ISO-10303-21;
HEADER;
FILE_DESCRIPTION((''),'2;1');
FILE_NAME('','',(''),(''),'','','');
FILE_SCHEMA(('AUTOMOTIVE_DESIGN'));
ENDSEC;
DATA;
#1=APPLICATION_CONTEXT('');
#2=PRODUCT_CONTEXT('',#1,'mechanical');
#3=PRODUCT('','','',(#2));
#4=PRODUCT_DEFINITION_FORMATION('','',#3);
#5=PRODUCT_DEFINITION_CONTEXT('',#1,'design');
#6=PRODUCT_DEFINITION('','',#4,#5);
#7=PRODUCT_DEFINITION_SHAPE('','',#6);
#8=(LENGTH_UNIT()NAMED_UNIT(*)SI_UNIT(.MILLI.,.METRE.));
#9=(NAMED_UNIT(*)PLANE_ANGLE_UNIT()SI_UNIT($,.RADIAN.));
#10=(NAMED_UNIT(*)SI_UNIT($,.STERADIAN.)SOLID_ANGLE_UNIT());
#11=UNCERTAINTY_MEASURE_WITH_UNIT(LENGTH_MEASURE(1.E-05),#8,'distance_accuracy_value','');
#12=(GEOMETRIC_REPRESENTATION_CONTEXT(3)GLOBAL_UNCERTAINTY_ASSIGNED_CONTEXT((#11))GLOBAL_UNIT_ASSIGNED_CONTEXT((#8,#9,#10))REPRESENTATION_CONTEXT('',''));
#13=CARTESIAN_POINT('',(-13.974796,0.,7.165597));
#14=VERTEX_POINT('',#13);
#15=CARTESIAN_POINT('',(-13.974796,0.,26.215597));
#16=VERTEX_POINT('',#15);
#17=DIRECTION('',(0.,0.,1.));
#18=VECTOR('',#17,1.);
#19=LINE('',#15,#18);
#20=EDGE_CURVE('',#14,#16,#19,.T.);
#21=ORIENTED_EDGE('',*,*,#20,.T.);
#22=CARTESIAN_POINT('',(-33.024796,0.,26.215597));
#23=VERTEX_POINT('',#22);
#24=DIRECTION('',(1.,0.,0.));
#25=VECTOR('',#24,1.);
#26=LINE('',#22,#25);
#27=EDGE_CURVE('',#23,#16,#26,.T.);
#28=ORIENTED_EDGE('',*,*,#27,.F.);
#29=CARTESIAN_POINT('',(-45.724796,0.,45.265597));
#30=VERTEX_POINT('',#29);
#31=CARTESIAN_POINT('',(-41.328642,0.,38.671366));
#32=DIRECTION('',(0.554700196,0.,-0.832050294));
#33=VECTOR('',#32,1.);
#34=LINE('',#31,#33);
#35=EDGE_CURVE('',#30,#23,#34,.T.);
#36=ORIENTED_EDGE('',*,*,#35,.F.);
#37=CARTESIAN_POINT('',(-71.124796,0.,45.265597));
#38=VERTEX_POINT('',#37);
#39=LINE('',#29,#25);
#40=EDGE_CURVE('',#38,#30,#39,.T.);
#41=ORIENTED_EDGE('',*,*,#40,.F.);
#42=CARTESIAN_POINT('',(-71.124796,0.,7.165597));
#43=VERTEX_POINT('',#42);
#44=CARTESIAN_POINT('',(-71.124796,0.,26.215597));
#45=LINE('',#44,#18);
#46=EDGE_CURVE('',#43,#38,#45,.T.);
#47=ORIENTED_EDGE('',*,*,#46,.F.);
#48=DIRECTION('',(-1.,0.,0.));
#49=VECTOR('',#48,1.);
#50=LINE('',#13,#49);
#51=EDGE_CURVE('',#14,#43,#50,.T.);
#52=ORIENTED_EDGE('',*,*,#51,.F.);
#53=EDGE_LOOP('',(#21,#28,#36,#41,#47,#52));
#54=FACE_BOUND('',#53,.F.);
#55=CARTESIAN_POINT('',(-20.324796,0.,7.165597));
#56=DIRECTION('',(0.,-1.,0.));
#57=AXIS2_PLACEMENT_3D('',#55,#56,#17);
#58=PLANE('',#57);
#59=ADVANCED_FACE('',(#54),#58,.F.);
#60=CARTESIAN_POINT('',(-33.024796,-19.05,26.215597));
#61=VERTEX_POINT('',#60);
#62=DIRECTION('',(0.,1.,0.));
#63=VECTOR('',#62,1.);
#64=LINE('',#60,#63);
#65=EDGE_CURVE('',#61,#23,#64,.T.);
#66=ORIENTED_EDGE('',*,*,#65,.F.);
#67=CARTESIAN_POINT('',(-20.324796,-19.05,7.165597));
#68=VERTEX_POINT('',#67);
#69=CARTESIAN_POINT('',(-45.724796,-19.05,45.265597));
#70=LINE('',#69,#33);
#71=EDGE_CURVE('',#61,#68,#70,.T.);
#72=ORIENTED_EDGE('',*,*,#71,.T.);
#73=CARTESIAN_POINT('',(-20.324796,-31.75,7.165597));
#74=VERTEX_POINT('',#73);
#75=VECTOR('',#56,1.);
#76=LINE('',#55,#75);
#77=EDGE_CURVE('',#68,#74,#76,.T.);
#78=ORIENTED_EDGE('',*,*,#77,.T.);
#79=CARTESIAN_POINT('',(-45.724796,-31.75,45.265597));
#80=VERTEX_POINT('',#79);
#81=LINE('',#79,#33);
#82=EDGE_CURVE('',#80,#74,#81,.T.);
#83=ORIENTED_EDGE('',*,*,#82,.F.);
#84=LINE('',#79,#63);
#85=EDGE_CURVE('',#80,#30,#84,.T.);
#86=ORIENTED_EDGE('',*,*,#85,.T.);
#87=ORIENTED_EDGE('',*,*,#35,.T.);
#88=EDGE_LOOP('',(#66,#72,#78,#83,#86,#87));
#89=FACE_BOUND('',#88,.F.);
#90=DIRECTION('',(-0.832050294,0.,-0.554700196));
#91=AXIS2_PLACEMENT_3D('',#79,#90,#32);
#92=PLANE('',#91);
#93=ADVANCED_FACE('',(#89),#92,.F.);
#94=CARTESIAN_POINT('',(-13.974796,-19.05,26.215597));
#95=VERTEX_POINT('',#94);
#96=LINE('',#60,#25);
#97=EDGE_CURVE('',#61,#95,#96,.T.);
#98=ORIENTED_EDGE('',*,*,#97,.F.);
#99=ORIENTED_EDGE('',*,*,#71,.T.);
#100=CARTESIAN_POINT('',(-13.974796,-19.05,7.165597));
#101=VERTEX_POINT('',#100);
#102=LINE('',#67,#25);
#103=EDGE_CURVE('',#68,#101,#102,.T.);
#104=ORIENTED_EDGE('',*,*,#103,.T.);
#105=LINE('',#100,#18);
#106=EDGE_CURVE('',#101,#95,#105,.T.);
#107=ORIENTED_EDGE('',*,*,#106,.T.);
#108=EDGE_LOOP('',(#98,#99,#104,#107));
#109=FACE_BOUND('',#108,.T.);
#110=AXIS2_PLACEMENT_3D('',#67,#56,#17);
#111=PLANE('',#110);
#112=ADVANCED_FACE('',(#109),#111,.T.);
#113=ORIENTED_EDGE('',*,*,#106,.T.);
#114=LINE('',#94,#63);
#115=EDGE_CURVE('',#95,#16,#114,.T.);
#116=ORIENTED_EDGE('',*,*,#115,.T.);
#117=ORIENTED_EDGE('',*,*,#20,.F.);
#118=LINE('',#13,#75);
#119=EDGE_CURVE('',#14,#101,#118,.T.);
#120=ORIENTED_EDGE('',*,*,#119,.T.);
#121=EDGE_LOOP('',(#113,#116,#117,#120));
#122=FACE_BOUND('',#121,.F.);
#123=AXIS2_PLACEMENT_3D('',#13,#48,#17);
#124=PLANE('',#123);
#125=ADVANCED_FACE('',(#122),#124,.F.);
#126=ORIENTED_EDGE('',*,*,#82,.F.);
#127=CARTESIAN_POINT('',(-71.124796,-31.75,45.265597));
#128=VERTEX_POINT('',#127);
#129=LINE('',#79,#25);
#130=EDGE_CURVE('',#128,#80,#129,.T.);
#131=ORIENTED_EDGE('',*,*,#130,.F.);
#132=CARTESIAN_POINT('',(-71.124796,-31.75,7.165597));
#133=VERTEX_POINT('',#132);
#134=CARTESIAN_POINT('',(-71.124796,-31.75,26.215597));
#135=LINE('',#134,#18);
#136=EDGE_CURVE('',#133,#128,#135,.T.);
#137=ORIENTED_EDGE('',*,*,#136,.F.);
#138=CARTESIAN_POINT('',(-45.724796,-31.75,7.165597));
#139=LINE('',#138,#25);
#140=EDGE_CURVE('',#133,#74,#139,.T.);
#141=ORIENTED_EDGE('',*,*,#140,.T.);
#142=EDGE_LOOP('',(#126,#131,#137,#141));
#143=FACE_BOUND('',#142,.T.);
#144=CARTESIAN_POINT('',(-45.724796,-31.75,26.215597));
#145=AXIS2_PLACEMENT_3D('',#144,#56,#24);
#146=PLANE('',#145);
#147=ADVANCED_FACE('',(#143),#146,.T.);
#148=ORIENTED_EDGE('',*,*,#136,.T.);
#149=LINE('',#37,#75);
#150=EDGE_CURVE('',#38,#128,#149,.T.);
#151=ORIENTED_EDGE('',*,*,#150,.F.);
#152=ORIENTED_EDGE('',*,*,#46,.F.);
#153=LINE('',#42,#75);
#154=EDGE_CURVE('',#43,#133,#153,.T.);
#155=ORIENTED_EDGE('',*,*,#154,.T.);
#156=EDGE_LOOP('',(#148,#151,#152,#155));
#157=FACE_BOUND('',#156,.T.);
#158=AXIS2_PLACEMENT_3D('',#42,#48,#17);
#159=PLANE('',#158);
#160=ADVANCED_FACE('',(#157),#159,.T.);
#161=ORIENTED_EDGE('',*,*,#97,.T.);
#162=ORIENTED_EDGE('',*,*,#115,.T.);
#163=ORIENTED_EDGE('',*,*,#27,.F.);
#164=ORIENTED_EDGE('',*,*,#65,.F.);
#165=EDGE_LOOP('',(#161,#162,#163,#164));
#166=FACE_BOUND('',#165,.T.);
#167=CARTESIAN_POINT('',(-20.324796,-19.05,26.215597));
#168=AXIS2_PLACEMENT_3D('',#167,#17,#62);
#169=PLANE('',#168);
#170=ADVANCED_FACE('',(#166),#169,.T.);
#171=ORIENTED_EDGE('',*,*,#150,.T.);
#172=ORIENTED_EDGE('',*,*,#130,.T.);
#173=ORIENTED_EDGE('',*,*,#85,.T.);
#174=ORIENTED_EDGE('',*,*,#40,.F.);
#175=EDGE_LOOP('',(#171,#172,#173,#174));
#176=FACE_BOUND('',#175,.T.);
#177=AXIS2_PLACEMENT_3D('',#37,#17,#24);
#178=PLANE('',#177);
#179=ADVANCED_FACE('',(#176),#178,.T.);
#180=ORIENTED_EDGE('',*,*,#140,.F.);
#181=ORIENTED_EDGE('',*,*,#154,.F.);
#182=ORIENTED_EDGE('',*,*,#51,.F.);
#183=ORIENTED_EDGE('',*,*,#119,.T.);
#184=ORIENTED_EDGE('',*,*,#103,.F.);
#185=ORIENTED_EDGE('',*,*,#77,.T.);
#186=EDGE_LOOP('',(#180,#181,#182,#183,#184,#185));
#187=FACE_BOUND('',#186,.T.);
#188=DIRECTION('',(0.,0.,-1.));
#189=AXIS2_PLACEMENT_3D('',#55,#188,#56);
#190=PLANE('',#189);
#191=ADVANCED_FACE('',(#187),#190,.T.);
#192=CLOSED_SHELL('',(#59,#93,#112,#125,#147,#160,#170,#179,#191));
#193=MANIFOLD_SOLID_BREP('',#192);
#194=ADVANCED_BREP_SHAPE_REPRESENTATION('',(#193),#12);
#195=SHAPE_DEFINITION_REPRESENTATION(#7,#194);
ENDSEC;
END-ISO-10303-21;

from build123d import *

# Parameters (mm, degrees)
F0_W     = 50.8
F0_H     = 38.1
F1_DEPTH = 31.75
F3_DEPTH = 12.7
F5_DEPTH = 25.4
F6_DEPTH = 6.35


with BuildPart() as f1:
    # F0 (on Front) → F1 (new body)
    with BuildSketch(Plane.XZ):
        with Locations((-45.7247960726, 26.2155969156)):
            Rectangle(F0_W, F0_H)
    extrude(amount=F1_DEPTH)

    # F2 (on face) → F3 (cut)
    with BuildSketch(Plane.XZ.offset(31.75)):
        Polygon((-45.7247960726, 45.2655969156), (-20.3247960726, 7.1655969156), (-20.3247960726, 45.2655969156), align=None)
    extrude(amount=-F3_DEPTH, mode=Mode.SUBTRACT)

    # F4 (on face) → F5 (cut)
    with BuildSketch(Plane.XZ.offset(19.05)):
        Polygon((-45.7247960726, 45.2655969156), (-33.0247960726, 26.2155969156), (-20.3247960726, 26.2155969156), (-20.3247960726, 45.2655969156), align=None)
    extrude(amount=-F5_DEPTH, mode=Mode.SUBTRACT)

    # F6 (add): a face of the model
    f6_faces = [f1.faces().sort_by_distance(p)[0] for p in [
        (-20.3247960726, -9.525, 16.6905969156),
    ]]
    extrude(f6_faces, amount=F6_DEPTH)


solid = f1.part
